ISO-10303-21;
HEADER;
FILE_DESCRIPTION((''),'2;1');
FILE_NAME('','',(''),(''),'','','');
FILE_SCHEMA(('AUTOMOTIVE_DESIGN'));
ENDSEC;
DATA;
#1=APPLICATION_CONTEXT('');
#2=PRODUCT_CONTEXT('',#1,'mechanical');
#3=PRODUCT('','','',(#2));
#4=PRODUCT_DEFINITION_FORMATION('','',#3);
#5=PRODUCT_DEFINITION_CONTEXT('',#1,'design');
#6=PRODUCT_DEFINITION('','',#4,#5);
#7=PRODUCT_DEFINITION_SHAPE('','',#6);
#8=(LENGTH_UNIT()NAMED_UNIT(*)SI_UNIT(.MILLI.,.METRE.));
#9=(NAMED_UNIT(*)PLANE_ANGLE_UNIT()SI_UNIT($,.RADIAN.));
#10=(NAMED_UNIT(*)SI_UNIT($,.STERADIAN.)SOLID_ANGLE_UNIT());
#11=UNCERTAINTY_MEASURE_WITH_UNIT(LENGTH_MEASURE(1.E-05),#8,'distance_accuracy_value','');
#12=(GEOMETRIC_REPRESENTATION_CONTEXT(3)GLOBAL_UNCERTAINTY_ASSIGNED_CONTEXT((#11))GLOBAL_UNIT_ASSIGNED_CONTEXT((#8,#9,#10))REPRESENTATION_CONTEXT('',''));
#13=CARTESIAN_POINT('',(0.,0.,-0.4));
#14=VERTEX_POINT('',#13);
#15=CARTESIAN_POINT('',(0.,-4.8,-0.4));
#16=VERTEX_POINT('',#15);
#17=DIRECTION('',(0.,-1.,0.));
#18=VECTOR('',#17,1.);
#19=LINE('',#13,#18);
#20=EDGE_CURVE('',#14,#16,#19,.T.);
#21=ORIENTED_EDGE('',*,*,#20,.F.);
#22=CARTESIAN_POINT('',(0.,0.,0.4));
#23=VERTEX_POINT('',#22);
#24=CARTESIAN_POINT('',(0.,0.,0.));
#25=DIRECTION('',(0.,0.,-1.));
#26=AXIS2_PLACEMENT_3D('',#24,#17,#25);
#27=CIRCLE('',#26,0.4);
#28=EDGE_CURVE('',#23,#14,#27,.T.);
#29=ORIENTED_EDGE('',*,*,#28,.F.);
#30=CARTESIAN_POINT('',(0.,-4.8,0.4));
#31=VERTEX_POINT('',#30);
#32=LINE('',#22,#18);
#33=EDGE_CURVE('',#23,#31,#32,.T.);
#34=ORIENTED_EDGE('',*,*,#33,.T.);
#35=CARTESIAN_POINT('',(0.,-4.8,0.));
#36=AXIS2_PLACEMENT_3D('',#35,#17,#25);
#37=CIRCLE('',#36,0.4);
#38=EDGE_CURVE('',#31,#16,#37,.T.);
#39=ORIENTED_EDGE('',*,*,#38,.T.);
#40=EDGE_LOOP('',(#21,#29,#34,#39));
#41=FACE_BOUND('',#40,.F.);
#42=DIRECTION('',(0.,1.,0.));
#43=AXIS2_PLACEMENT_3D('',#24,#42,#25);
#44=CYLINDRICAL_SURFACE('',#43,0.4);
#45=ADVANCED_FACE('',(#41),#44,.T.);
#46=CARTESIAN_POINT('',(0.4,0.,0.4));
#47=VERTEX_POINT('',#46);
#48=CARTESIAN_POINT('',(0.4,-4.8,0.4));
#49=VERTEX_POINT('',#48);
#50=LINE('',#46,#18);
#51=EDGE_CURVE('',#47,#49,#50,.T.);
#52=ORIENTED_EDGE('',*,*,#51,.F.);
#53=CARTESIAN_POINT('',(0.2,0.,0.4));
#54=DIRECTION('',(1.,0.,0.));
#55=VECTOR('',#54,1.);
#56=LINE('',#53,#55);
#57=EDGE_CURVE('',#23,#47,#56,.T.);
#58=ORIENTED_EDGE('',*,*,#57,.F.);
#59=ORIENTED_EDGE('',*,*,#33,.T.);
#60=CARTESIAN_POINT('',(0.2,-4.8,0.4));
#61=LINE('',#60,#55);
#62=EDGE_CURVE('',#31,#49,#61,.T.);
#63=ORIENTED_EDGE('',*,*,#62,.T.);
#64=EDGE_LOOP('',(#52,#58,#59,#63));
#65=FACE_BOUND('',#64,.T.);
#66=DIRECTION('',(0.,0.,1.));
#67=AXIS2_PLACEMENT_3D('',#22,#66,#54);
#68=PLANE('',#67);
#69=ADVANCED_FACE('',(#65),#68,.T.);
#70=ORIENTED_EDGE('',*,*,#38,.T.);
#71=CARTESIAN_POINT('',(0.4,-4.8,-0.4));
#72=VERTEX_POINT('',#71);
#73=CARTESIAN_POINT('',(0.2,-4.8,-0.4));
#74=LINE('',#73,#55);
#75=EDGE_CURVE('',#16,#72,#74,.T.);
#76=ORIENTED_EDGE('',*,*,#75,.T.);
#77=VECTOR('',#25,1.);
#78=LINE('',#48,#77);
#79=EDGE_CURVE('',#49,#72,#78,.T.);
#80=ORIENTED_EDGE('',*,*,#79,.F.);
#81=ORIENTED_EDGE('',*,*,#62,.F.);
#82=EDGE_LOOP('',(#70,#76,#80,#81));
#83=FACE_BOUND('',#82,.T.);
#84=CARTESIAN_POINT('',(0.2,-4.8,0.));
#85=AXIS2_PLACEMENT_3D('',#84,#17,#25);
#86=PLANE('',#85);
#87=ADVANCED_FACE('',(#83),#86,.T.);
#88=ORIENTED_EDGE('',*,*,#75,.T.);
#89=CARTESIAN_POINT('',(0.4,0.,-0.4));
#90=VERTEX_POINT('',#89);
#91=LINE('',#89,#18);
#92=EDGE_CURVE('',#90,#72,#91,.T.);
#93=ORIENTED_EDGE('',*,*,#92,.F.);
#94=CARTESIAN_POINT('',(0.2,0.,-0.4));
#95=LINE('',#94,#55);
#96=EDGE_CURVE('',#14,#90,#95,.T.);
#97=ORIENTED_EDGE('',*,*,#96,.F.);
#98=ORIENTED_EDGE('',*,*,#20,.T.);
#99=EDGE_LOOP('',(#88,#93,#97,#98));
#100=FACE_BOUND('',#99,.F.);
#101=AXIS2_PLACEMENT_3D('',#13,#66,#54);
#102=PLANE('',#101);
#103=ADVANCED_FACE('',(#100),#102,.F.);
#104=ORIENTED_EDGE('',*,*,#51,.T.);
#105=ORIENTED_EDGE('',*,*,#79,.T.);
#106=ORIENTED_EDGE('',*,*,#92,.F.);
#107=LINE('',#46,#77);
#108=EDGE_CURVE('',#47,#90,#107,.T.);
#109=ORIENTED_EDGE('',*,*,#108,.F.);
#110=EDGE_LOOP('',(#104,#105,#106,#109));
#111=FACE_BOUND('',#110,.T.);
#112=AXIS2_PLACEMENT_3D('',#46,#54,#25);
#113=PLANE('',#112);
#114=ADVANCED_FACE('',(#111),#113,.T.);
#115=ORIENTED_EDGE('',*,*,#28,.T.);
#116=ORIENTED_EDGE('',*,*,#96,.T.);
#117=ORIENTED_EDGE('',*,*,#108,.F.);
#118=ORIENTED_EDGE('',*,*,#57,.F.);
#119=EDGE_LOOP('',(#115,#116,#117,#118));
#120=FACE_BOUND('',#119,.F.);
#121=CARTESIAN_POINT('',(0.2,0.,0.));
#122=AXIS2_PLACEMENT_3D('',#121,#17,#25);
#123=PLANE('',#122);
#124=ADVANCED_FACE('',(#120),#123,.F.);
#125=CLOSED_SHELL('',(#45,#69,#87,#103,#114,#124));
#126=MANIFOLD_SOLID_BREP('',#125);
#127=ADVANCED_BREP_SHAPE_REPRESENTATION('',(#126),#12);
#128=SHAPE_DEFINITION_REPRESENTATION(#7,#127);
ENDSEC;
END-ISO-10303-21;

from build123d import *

# Parameters (mm, degrees)
CYLINDER_R                = 0.4
CYLINDER_DEPTH            = 4.8
BOX022_W                  = 0.8
BOX022_H                  = 0.4
BOX022_DEPTH              = 4.8
FUSION003_PITCH_ANGLE     = 90
FUSION003_PLACEMENT_ANGLE = -90


with BuildPart() as cylinder:
    # Cylinder → Cylinder (new body)
    with BuildSketch(Plane.XY):
        Circle(CYLINDER_R)
    extrude(amount=CYLINDER_DEPTH)


with BuildPart() as fusion003:
    # Box022 → Box022 (new body)
    with BuildSketch(Plane(origin=(-0.4, 0, 0), x_dir=(1, 0, 0), z_dir=(0, 0, 1))):
        with Locations((0.4, 0.2)):
            Rectangle(BOX022_W, BOX022_H)
    extrude(amount=BOX022_DEPTH)

    # Fusion003: union Cylinder
    add(cylinder.part)


with BuildPart() as fusion003_1:
    # Fusion003 pitch: moved
    add(fusion003.part.rotate(Axis((0, 0, 0), (0, 1, 0)), FUSION003_PITCH_ANGLE))


with BuildPart() as fusion003_2:
    # Fusion003 placement: moved
    add(fusion003_1.part.rotate(Axis((0, 0, 0), (0, 0, 1)), FUSION003_PLACEMENT_ANGLE))


solid = fusion003_2.part
